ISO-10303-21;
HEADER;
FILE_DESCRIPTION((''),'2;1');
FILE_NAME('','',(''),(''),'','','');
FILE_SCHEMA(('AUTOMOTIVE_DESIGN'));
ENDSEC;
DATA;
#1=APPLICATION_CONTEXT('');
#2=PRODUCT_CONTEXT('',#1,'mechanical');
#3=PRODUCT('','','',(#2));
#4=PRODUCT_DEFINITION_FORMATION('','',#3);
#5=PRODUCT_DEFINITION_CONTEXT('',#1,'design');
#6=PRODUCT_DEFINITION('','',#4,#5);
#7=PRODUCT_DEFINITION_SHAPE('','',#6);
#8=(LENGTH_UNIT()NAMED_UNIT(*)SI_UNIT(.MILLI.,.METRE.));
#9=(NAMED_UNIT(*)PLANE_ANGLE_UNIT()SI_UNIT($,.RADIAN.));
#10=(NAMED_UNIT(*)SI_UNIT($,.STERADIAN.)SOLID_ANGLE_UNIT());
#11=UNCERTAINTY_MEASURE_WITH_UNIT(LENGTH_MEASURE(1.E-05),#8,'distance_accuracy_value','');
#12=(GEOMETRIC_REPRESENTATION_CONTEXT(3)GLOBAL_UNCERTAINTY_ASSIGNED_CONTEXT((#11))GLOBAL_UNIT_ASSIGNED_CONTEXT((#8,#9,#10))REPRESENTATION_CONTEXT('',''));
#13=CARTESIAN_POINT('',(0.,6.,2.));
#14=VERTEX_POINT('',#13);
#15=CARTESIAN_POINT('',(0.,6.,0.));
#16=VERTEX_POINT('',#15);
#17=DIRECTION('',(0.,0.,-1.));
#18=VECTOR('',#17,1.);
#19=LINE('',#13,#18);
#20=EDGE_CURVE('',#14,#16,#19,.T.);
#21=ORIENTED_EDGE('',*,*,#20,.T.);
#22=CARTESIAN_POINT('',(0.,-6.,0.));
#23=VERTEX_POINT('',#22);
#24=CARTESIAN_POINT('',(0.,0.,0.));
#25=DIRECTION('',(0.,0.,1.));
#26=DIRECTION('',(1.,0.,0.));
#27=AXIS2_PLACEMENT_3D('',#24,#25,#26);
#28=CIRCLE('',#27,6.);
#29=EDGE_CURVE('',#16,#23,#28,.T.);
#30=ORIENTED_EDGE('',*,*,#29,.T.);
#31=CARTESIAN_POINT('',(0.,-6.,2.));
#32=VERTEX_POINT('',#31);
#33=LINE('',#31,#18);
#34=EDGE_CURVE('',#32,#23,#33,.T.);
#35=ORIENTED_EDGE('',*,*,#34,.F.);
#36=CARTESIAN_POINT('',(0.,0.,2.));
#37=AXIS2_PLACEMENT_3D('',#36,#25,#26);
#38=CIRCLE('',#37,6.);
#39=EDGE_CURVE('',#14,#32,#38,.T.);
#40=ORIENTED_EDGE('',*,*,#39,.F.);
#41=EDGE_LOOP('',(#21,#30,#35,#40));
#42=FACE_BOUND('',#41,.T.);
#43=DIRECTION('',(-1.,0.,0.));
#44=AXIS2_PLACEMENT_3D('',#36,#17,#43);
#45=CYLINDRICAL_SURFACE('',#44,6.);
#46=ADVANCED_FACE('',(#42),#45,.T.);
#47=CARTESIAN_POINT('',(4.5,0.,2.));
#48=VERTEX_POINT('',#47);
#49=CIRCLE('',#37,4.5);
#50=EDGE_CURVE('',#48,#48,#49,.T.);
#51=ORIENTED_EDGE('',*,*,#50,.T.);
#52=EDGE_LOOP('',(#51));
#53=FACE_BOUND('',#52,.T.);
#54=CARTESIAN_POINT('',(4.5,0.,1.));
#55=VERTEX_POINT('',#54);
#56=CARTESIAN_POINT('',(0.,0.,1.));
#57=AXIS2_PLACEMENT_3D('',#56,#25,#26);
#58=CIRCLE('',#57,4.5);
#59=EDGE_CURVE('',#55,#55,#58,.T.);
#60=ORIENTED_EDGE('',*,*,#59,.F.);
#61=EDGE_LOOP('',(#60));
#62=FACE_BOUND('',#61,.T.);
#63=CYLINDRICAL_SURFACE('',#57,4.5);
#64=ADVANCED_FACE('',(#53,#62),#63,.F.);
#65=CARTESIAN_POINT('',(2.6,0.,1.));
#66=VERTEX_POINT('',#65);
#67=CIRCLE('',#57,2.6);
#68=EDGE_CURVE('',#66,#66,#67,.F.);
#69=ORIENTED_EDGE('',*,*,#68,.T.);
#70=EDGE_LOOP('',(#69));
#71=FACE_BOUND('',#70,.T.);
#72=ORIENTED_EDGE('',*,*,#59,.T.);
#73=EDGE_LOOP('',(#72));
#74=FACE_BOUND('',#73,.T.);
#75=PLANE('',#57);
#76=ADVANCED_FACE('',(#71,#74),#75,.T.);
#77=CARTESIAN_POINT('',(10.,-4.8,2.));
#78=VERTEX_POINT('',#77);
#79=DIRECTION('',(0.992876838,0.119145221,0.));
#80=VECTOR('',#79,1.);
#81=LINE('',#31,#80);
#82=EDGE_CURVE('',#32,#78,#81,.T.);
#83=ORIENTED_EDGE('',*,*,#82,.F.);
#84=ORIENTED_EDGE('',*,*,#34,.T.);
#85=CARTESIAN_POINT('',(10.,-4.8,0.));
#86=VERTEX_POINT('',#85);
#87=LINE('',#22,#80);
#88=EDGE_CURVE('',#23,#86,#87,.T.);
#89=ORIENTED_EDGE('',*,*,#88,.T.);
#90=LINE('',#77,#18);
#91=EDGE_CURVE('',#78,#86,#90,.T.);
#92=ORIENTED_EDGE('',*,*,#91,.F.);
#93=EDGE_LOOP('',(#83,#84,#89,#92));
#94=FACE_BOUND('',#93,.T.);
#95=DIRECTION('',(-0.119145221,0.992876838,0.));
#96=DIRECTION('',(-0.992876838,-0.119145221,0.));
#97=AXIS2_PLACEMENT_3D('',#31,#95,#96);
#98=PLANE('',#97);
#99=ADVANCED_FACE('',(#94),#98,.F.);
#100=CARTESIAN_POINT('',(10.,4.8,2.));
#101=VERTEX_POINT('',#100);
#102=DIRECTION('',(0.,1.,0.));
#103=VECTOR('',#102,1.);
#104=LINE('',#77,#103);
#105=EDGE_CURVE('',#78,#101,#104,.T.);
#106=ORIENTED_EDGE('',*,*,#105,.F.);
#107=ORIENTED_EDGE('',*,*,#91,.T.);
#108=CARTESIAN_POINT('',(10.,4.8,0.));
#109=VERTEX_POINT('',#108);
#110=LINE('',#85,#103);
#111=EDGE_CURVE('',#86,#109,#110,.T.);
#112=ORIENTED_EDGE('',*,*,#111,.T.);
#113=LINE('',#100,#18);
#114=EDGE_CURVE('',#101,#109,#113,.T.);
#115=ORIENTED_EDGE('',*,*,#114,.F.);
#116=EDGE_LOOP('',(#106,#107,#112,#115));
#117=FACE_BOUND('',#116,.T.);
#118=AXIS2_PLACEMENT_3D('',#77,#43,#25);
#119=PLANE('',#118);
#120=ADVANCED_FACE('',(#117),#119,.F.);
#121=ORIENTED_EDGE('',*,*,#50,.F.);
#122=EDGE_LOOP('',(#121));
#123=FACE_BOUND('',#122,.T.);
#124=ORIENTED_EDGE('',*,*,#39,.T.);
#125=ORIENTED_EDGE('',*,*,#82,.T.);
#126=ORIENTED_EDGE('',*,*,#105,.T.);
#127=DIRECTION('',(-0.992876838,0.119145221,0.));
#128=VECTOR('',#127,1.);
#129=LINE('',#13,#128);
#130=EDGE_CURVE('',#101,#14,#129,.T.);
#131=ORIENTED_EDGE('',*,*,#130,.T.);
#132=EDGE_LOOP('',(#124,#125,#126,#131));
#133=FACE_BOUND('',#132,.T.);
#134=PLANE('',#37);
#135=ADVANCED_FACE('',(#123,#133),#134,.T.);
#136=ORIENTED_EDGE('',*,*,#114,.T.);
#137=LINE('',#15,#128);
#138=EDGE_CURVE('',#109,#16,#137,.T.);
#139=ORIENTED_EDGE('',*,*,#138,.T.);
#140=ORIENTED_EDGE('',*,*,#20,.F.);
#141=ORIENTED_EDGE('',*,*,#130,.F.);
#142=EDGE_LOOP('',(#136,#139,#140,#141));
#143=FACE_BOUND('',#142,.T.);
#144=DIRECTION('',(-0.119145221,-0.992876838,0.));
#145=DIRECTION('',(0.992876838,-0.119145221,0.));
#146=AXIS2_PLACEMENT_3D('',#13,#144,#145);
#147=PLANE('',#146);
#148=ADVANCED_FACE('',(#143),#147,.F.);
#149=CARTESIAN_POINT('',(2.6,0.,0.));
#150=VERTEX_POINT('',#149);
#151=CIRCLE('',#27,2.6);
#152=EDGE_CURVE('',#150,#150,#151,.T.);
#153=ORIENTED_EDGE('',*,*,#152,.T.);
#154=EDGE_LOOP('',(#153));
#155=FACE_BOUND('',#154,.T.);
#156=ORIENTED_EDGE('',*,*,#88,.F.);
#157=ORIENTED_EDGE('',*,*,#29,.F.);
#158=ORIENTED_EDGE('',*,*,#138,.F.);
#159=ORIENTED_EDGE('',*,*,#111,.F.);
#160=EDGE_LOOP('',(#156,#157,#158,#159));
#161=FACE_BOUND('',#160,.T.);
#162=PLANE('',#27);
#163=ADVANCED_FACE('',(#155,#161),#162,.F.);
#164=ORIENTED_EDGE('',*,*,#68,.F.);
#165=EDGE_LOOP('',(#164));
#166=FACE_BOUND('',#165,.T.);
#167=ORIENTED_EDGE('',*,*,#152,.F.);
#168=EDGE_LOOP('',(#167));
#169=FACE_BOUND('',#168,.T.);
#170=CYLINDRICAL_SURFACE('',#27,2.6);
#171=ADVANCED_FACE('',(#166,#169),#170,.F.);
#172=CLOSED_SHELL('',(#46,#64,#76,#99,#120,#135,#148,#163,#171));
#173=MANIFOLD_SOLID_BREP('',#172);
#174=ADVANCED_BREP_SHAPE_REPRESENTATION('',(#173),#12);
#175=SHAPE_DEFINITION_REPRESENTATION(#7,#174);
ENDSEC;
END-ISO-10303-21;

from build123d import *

# Parameters (mm, degrees)
BOSS_EXTRUDE1_DEPTH = 2
SKETCH5_R           = 2.6
CUT_EXTRUDE1_DEPTH  = 2
SKETCH6_R           = 4.5
CUT_EXTRUDE2_DEPTH  = 1


with BuildPart() as part:
    # Sketch2 → Boss-Extrude1 (new body)
    with BuildSketch(Plane.XY):
        with BuildLine():
            Line((10, -4.8), (10, 4.8))
            Line((10, 4.8), (0, 6))
            ThreePointArc((0, 6), (-6, 0), (0, -6))
            Line((0, -6), (10, -4.8))
        make_face()
    extrude(amount=BOSS_EXTRUDE1_DEPTH)

    # Sketch5 → Cut-Extrude1 (cut)
    with BuildSketch(Plane.XY.offset(2)):
        Circle(SKETCH5_R)
    extrude(amount=-CUT_EXTRUDE1_DEPTH, mode=Mode.SUBTRACT)

    # Sketch6 → Cut-Extrude2 (cut)
    with BuildSketch(Plane.XY.offset(2)):
        Circle(SKETCH6_R)
    extrude(amount=-CUT_EXTRUDE2_DEPTH, mode=Mode.SUBTRACT)


solid = part.part
